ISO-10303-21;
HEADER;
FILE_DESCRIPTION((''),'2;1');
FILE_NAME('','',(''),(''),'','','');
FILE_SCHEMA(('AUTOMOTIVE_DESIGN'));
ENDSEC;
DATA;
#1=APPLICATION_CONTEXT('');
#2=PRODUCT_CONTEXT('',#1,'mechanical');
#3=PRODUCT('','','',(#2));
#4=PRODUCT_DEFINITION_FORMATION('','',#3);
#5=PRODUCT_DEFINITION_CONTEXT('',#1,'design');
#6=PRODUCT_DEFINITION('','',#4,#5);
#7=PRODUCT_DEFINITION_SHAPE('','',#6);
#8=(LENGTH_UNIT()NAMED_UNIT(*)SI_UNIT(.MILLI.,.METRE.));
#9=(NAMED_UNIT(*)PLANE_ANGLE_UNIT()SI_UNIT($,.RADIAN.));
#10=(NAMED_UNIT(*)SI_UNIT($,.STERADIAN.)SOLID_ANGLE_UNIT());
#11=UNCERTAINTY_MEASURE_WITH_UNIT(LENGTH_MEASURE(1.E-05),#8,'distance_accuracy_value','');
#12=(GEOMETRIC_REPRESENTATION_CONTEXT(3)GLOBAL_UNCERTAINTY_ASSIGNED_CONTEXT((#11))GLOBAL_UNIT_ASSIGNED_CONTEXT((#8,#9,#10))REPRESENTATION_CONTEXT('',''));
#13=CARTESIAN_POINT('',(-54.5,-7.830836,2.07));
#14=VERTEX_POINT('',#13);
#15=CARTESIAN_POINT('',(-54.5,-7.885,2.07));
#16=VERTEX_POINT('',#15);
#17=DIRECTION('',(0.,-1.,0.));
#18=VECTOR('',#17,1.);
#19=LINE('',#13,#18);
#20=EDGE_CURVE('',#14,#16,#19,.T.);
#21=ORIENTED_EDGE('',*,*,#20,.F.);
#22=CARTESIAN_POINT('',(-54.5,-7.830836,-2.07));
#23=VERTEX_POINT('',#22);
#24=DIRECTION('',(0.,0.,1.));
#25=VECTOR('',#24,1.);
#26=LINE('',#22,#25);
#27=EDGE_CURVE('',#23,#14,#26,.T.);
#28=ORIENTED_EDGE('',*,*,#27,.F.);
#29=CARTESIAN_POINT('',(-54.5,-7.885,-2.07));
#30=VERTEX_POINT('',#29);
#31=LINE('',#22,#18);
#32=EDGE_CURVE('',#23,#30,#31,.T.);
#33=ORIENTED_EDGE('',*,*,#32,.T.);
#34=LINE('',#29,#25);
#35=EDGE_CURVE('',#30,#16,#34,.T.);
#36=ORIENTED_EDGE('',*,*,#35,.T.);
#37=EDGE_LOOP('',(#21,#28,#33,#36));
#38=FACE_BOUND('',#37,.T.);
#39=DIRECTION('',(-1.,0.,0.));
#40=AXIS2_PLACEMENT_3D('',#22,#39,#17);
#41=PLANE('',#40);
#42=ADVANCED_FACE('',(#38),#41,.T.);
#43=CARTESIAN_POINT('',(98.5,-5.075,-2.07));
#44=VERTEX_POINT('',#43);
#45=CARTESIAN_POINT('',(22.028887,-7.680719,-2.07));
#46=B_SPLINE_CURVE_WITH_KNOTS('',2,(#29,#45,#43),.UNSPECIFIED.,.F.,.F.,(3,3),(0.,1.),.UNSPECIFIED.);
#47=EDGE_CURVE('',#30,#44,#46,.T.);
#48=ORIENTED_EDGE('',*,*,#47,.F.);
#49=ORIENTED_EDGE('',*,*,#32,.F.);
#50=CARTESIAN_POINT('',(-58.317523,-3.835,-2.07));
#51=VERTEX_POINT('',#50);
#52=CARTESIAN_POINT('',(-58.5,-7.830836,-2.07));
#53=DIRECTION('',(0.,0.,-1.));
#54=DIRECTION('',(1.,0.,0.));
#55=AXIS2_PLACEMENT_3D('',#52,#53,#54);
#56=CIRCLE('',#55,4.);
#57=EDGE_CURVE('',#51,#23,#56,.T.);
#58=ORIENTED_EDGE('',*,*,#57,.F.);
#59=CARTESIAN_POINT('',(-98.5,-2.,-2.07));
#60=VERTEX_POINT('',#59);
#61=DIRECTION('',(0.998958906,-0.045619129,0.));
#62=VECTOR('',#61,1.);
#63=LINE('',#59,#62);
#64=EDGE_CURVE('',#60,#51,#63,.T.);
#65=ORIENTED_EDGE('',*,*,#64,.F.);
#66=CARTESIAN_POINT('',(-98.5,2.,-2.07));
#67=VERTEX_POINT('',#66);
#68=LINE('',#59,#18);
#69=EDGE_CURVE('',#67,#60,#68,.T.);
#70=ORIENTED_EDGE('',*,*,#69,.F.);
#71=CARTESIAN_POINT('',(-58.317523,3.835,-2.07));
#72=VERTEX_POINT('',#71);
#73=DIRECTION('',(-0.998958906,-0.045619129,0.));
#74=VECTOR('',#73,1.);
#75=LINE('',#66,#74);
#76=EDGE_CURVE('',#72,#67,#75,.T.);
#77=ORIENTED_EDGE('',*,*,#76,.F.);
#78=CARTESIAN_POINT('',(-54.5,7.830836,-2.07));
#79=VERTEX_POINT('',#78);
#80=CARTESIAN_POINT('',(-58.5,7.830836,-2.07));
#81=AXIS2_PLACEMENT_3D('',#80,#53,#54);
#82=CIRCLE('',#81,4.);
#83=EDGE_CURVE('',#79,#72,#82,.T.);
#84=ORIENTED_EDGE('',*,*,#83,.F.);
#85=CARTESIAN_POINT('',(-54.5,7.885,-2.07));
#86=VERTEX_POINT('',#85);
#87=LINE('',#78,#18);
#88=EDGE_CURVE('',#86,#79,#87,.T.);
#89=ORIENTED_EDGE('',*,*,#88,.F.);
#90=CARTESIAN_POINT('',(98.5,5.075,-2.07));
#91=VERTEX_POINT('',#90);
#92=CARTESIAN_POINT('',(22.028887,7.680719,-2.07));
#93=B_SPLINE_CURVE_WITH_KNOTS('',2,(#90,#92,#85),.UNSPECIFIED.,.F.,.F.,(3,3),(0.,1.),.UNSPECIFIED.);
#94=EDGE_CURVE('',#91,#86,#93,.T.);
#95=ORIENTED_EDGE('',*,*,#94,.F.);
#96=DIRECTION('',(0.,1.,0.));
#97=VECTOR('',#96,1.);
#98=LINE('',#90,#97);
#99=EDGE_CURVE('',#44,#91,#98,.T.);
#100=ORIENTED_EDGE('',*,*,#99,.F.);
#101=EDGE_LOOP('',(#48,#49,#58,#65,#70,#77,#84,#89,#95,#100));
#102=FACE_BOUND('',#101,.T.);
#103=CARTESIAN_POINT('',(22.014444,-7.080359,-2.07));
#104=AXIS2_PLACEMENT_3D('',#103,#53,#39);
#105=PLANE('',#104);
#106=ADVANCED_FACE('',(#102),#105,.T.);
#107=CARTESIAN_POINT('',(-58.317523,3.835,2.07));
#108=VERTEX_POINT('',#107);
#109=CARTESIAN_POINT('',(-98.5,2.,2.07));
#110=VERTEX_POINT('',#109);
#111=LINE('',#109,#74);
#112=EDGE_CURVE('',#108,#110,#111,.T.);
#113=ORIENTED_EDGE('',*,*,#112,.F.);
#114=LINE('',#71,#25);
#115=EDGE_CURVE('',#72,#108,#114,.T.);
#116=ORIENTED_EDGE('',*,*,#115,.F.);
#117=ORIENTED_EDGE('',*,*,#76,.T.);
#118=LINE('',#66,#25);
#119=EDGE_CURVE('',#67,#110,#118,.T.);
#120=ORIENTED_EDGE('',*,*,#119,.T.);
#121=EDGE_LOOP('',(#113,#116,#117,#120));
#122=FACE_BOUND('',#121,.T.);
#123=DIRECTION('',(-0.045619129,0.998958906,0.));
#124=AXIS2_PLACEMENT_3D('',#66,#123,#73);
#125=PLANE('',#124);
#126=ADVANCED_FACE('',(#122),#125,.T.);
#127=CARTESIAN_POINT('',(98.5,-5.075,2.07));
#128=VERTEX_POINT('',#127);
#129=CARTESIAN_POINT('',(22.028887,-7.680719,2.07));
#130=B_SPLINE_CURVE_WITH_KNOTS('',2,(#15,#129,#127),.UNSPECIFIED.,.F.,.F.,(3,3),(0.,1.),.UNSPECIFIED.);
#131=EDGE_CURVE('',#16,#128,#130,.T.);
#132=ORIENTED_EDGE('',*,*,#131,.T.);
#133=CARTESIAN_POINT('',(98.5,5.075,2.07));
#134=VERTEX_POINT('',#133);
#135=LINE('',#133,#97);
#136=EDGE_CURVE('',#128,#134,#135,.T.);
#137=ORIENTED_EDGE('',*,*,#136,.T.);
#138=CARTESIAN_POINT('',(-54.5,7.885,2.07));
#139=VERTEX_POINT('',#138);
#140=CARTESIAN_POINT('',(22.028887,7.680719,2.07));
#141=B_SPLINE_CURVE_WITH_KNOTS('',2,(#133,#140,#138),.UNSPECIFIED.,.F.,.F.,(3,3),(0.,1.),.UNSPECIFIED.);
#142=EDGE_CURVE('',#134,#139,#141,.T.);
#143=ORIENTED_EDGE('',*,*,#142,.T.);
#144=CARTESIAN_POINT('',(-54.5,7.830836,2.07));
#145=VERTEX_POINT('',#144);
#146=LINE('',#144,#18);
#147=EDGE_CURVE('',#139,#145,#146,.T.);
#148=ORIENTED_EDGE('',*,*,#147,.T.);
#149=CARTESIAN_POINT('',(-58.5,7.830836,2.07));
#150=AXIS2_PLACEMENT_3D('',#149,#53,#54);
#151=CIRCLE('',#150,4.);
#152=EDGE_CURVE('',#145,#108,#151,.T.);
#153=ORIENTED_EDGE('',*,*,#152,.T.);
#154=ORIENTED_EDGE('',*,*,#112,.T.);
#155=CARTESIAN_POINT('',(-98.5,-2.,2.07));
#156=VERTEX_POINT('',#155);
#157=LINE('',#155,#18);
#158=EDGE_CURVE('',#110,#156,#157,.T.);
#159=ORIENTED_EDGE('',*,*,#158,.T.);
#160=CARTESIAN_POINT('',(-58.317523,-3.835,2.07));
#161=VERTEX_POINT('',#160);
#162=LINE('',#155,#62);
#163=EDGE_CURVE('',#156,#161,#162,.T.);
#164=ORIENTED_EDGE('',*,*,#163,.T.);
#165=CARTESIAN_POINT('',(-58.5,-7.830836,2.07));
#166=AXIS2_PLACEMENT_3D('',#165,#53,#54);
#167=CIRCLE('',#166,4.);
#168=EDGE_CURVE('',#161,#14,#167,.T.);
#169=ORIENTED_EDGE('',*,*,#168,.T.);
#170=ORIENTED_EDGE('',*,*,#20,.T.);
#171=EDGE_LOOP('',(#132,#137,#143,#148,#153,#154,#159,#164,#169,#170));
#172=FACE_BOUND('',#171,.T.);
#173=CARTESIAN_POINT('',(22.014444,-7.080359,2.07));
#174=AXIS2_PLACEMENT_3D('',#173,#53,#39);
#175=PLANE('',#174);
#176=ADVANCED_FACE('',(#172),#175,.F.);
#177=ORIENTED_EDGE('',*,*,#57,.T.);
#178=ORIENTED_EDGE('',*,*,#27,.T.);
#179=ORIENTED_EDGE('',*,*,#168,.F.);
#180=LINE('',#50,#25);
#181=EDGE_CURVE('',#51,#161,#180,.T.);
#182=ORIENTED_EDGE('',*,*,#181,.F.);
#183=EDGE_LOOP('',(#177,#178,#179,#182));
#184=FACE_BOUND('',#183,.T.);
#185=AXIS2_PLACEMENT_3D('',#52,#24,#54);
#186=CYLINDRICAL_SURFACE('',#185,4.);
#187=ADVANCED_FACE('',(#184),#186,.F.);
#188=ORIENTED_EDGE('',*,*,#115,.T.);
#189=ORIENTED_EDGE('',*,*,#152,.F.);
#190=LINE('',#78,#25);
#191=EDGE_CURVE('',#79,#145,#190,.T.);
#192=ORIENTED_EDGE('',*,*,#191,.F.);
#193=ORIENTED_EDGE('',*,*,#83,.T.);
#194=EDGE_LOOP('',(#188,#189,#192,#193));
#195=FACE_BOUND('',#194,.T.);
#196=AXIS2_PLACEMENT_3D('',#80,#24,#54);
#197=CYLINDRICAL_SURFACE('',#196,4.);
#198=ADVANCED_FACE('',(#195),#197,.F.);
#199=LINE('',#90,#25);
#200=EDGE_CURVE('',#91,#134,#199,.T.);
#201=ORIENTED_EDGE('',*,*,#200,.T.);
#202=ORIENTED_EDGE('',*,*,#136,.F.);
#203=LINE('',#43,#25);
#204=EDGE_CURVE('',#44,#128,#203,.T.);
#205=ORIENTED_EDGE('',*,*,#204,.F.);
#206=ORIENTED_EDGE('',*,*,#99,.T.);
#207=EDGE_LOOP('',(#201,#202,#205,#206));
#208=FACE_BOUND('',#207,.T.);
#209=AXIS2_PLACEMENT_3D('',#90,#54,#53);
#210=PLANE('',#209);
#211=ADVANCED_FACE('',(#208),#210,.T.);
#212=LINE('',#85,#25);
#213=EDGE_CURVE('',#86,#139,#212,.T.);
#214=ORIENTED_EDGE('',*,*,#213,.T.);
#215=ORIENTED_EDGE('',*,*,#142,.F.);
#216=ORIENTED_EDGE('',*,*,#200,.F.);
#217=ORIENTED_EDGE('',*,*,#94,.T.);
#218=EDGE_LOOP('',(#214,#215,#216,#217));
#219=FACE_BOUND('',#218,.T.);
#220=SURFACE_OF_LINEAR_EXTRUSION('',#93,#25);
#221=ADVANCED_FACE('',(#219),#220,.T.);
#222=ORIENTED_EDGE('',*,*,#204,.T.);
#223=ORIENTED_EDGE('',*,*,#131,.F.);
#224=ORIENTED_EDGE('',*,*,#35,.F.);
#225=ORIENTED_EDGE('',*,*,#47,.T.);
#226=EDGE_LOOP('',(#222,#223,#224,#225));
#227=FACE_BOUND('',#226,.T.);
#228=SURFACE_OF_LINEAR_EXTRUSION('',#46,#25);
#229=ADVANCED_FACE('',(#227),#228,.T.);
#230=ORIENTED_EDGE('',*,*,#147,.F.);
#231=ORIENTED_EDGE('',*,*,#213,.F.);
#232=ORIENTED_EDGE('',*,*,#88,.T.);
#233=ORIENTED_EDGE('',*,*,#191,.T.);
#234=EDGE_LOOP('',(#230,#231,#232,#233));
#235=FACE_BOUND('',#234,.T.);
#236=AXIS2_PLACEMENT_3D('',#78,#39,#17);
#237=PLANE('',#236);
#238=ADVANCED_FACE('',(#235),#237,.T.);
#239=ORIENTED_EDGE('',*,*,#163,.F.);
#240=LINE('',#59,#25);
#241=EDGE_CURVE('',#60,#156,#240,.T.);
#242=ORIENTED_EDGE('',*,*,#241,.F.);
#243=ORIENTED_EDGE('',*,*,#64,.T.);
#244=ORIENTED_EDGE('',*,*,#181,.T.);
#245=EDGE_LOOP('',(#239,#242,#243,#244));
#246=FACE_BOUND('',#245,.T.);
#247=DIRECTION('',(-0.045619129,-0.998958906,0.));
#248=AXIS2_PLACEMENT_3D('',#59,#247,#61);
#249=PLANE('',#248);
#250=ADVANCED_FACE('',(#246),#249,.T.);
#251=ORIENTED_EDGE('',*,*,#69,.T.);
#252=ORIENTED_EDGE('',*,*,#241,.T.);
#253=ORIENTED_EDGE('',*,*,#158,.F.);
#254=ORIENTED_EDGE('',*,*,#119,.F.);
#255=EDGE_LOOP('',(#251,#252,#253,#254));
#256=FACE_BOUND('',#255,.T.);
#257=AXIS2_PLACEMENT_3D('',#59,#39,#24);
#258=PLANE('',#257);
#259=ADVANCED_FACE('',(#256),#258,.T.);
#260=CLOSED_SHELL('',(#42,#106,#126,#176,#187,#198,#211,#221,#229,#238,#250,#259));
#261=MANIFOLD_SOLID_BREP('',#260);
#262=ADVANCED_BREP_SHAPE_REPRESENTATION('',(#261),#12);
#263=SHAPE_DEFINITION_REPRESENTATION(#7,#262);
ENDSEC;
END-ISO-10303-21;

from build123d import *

# Parameters (mm, degrees)
BOSS_EXTRUDE1_DEPTH      = 2.07
BOSS_EXTRUDE1_DEPTH_BACK = 2.07


with BuildPart() as part:
    # Sketch1 → Boss-Extrude1 (new, two sides: drawn at the far end of the back side and taken through both)
    with BuildSketch(Plane.XY.offset(-BOSS_EXTRUDE1_DEPTH_BACK)):
        with BuildLine():
            Line((-98.5, -2), (-98.5, 2))
            Line((-98.5, 2), (-58.317523483, 3.835))
            ThreePointArc((-58.317523483, 3.835), (-55.607777146, 5.067676748), (-54.5, 7.830835622))
            Line((-54.5, 7.830835622), (-54.5, 7.885))
            add(Edge.make_bspline(
                [(-54.5, 7.885), (22.028887168, 7.680718763), (98.5, 5.075)],
                knots=[0, 0, 0, 1, 1, 1], degree=2))
            Line((98.5, 5.075), (98.5, -5.075))
            add(Edge.make_bspline(
                [(-54.5, -7.885), (22.028887168, -7.680718763), (98.5, -5.075)],
                knots=[0, 0, 0, 1, 1, 1], degree=2))
            Line((-54.5, -7.885), (-54.5, -7.830835622))
            ThreePointArc((-54.5, -7.830835622), (-55.607777146, -5.067676748), (-58.317523483, -3.835))
            Line((-58.317523483, -3.835), (-98.5, -2))
        make_face()
    extrude(amount=BOSS_EXTRUDE1_DEPTH + BOSS_EXTRUDE1_DEPTH_BACK)


solid = part.part
